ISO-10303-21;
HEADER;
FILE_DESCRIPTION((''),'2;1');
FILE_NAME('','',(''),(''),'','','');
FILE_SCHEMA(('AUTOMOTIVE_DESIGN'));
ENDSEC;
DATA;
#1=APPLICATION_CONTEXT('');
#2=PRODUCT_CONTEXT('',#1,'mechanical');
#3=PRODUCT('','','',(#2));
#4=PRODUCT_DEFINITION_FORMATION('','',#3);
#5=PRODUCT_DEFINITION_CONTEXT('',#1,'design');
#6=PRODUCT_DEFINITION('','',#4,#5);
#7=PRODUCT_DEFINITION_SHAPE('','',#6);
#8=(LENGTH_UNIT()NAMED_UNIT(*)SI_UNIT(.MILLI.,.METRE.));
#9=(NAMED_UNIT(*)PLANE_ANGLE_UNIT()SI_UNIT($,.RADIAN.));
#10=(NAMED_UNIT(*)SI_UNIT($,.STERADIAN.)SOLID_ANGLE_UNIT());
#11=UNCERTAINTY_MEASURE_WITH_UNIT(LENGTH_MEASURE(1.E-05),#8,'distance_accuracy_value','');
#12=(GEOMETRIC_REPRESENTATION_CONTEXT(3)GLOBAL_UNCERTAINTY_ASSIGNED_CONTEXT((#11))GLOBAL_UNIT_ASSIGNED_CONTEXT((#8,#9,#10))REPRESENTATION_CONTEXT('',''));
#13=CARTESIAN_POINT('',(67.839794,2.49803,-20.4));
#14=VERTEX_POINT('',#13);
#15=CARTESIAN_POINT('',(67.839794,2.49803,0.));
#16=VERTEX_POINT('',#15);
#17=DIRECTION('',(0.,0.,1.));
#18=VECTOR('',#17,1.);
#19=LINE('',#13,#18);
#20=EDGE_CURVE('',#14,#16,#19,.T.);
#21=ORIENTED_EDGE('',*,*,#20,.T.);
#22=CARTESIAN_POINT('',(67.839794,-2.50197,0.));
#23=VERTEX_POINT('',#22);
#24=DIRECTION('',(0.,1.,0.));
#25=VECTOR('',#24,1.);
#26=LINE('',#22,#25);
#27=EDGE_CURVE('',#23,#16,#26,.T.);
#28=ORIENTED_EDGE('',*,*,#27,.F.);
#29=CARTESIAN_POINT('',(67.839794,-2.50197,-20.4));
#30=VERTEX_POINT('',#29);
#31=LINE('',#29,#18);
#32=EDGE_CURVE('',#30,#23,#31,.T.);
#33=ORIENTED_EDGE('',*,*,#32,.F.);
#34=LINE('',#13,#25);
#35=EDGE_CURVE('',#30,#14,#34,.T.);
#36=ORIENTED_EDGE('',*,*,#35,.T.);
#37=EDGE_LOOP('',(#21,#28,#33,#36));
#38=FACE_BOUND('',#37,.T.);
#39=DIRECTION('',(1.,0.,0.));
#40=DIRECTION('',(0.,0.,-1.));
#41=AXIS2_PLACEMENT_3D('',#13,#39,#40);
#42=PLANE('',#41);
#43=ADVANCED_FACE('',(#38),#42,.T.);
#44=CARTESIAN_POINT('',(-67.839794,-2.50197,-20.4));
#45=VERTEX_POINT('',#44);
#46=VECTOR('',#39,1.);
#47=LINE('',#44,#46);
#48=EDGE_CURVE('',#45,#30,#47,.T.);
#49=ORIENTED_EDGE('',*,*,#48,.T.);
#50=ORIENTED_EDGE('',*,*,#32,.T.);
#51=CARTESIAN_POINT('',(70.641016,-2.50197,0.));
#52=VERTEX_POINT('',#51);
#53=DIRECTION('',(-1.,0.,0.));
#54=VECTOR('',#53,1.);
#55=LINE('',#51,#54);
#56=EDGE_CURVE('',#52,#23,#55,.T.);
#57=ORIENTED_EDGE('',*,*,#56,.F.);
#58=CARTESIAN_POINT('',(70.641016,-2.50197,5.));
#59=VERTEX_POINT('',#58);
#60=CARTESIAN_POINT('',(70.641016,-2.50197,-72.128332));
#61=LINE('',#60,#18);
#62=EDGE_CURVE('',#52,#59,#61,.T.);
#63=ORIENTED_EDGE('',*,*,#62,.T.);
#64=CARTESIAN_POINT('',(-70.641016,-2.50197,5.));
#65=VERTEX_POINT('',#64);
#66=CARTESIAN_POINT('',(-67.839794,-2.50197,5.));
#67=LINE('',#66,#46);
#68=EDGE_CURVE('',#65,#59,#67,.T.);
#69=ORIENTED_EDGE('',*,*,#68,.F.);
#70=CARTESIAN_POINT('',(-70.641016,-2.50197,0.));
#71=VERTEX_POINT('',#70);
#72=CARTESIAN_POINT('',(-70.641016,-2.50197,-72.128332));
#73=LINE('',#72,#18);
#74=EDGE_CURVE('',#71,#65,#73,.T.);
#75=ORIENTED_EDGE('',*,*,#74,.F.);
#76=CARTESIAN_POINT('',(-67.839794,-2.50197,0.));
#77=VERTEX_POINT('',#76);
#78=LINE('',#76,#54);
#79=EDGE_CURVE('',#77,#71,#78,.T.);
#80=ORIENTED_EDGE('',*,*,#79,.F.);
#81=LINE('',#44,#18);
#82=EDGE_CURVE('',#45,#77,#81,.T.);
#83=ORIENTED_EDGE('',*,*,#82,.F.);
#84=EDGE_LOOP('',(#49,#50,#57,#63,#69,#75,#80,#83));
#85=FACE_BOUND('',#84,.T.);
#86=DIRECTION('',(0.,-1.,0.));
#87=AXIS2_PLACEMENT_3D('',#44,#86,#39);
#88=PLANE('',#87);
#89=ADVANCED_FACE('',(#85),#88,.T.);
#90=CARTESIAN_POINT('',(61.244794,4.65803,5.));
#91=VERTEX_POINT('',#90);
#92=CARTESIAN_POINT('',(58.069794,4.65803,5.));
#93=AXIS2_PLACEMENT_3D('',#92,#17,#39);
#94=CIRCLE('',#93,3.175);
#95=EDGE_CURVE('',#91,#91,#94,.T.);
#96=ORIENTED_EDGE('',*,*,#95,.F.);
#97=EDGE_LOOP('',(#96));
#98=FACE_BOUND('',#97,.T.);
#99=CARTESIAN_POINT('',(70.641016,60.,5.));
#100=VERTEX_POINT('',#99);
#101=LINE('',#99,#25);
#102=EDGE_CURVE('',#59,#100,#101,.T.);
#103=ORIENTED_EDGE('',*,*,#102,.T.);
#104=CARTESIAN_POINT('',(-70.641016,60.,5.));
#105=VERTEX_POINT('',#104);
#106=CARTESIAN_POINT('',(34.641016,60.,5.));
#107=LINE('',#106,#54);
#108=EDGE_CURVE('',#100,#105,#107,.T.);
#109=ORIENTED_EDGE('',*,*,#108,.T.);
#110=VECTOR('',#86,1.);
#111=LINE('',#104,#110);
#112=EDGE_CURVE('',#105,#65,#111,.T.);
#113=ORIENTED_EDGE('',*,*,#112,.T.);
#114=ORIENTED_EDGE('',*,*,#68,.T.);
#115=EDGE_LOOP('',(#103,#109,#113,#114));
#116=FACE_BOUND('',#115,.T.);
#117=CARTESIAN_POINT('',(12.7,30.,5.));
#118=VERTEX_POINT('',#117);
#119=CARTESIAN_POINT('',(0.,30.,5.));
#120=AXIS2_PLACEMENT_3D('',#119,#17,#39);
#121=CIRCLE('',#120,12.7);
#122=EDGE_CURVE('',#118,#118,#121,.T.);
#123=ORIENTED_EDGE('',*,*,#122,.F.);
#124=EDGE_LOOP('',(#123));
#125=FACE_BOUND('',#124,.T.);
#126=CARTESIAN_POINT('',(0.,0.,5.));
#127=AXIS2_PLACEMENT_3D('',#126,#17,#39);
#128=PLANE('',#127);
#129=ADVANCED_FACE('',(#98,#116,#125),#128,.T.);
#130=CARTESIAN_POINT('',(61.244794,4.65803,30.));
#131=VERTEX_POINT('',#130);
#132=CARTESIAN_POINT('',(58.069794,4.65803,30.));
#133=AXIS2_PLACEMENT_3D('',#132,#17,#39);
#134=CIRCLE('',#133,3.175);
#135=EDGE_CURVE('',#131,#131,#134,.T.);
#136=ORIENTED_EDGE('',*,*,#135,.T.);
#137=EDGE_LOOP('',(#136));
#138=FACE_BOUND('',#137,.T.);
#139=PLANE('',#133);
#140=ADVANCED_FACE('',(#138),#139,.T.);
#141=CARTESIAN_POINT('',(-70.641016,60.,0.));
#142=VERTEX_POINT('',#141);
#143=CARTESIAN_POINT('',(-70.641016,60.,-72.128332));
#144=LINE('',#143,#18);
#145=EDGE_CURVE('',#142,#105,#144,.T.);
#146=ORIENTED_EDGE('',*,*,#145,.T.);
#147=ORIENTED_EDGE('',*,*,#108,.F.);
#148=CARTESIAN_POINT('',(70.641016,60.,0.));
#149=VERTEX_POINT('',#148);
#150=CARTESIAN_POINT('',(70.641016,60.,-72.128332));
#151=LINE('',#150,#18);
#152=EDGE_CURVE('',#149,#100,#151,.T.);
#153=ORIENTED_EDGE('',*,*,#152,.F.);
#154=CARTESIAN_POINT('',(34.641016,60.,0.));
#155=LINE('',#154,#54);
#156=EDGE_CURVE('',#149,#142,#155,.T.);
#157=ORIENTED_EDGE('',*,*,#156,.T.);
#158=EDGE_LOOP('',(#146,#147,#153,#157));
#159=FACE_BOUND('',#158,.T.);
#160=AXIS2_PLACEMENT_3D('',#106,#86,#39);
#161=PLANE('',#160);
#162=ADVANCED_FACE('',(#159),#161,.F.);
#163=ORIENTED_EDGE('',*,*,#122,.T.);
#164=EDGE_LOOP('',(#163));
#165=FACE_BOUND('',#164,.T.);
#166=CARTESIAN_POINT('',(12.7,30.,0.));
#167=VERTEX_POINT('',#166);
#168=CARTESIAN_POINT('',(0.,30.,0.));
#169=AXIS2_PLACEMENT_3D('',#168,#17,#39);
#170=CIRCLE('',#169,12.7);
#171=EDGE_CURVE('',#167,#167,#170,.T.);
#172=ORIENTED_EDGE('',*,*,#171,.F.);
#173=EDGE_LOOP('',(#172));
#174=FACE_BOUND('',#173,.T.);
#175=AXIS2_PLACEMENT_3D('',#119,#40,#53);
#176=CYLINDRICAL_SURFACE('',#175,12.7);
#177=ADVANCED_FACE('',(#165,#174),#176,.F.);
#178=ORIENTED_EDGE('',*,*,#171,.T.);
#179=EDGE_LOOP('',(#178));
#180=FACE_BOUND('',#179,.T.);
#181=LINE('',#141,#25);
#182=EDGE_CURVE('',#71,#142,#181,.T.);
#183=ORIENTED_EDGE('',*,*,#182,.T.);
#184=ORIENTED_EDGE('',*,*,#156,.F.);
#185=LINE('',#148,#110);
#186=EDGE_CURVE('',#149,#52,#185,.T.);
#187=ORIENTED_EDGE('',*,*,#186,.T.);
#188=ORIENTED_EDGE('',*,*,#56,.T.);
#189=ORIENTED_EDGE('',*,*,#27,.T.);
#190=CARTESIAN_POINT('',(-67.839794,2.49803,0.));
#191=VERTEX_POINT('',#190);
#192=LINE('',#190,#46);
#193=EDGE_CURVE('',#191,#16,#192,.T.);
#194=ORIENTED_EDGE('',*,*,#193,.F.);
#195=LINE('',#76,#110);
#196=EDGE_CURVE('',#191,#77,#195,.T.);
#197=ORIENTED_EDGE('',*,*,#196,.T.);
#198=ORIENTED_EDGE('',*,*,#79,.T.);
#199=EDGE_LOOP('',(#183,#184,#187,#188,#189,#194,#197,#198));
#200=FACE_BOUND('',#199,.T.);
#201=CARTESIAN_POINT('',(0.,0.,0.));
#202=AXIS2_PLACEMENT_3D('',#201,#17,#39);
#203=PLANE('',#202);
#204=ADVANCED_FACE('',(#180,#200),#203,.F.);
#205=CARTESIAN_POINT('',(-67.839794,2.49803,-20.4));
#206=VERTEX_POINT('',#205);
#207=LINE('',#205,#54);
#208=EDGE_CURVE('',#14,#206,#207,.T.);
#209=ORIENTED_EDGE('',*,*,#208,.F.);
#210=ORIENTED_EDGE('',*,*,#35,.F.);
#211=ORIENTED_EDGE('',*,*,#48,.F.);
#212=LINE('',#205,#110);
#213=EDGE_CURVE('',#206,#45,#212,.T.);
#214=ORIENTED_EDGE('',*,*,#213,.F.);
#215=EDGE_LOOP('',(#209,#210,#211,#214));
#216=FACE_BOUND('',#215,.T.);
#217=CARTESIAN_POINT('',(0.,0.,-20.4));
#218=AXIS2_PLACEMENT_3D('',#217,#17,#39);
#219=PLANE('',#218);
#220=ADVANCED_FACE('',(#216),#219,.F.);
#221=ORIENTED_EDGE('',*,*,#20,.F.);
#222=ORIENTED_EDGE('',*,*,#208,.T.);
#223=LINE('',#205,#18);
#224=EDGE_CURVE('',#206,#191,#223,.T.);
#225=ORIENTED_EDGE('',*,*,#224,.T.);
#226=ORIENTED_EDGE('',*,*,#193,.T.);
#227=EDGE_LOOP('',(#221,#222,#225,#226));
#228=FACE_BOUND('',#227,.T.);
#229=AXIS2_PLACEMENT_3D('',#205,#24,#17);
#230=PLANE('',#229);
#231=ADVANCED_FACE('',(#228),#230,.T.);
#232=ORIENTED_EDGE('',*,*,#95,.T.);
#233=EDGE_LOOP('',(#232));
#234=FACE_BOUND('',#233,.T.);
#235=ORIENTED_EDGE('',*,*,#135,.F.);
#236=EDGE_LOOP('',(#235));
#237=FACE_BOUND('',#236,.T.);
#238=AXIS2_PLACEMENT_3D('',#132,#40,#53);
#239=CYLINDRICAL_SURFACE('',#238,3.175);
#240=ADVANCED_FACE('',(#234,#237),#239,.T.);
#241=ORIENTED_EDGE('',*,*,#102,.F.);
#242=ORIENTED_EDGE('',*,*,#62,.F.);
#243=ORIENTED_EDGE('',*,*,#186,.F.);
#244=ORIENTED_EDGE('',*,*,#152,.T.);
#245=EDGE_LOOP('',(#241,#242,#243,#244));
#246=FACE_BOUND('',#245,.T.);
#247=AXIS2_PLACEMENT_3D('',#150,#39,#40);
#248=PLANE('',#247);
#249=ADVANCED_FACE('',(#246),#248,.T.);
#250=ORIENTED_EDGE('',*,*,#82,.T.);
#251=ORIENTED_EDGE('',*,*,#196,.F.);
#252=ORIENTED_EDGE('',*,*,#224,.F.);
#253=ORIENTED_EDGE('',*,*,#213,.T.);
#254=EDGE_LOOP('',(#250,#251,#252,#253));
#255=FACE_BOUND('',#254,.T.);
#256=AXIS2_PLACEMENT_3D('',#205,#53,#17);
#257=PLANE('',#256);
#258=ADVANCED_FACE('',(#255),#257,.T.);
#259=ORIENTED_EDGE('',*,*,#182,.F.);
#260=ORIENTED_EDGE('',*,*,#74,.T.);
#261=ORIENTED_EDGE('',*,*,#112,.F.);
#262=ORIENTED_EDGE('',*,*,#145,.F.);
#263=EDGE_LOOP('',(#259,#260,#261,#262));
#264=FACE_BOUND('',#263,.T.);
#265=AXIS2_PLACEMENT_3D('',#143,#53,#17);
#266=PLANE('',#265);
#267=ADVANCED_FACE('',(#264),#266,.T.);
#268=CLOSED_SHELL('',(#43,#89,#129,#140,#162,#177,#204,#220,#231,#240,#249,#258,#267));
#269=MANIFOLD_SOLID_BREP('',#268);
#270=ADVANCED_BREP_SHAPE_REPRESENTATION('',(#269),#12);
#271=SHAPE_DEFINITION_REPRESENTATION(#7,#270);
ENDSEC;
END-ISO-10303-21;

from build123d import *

# Parameters (mm, degrees)
CROQUIS1_R              = 12.7
SALIENTE_EXTRUIR1_DEPTH = 5
CROQUIS3_W              = 135.679587796
CROQUIS3_H              = 5
SALIENTE_EXTRUIR3_DEPTH = 25.4
CROQUIS4_R              = 3.175
SALIENTE_EXTRUIR4_DEPTH = 25
SALIENTE_EXTRUIR5_DEPTH = 5


with BuildPart() as part:
    # Croquis1 → Saliente-Extruir1 (new body)
    with BuildSketch(Plane.XY):
        Polygon((67.839793898, 2.498030194), (34.641016151, 60), (-34.641016151, 60), (-67.839793898, 2.498030194), align=None)
        with Locations((0, 30)):
            Circle(CROQUIS1_R, mode=Mode.SUBTRACT)
    extrude(amount=SALIENTE_EXTRUIR1_DEPTH)

    # Croquis3 → Saliente-Extruir3 (add)
    with BuildSketch(Plane.XY.offset(5)):
        with Locations((0, -0.001969806)):
            Rectangle(CROQUIS3_W, CROQUIS3_H)
    extrude(amount=-SALIENTE_EXTRUIR3_DEPTH)

    # Croquis4 → Saliente-Extruir4 (add)
    with BuildSketch(Plane.XY.offset(5)):
        with Locations((58.069793898, 4.658030194)):
            Circle(CROQUIS4_R)
    extrude(amount=SALIENTE_EXTRUIR4_DEPTH)

    # Croquis5 → Saliente-Extruir5 (add)
    with BuildSketch(Plane.XY.offset(5)):
        Polygon((70.641016151, 60), (70.641016151, -2.501969806), (67.839793898, -2.501969806), (67.839793898, 2.498030194), (34.641016151, 60), align=None)
        Polygon((-67.839793898, -2.501969806), (-67.839793898, 2.498030194), (-34.641016151, 60), (-70.641016151, 60), (-70.641016151, -2.501969806), align=None)
    extrude(amount=-SALIENTE_EXTRUIR5_DEPTH)


solid = part.part
